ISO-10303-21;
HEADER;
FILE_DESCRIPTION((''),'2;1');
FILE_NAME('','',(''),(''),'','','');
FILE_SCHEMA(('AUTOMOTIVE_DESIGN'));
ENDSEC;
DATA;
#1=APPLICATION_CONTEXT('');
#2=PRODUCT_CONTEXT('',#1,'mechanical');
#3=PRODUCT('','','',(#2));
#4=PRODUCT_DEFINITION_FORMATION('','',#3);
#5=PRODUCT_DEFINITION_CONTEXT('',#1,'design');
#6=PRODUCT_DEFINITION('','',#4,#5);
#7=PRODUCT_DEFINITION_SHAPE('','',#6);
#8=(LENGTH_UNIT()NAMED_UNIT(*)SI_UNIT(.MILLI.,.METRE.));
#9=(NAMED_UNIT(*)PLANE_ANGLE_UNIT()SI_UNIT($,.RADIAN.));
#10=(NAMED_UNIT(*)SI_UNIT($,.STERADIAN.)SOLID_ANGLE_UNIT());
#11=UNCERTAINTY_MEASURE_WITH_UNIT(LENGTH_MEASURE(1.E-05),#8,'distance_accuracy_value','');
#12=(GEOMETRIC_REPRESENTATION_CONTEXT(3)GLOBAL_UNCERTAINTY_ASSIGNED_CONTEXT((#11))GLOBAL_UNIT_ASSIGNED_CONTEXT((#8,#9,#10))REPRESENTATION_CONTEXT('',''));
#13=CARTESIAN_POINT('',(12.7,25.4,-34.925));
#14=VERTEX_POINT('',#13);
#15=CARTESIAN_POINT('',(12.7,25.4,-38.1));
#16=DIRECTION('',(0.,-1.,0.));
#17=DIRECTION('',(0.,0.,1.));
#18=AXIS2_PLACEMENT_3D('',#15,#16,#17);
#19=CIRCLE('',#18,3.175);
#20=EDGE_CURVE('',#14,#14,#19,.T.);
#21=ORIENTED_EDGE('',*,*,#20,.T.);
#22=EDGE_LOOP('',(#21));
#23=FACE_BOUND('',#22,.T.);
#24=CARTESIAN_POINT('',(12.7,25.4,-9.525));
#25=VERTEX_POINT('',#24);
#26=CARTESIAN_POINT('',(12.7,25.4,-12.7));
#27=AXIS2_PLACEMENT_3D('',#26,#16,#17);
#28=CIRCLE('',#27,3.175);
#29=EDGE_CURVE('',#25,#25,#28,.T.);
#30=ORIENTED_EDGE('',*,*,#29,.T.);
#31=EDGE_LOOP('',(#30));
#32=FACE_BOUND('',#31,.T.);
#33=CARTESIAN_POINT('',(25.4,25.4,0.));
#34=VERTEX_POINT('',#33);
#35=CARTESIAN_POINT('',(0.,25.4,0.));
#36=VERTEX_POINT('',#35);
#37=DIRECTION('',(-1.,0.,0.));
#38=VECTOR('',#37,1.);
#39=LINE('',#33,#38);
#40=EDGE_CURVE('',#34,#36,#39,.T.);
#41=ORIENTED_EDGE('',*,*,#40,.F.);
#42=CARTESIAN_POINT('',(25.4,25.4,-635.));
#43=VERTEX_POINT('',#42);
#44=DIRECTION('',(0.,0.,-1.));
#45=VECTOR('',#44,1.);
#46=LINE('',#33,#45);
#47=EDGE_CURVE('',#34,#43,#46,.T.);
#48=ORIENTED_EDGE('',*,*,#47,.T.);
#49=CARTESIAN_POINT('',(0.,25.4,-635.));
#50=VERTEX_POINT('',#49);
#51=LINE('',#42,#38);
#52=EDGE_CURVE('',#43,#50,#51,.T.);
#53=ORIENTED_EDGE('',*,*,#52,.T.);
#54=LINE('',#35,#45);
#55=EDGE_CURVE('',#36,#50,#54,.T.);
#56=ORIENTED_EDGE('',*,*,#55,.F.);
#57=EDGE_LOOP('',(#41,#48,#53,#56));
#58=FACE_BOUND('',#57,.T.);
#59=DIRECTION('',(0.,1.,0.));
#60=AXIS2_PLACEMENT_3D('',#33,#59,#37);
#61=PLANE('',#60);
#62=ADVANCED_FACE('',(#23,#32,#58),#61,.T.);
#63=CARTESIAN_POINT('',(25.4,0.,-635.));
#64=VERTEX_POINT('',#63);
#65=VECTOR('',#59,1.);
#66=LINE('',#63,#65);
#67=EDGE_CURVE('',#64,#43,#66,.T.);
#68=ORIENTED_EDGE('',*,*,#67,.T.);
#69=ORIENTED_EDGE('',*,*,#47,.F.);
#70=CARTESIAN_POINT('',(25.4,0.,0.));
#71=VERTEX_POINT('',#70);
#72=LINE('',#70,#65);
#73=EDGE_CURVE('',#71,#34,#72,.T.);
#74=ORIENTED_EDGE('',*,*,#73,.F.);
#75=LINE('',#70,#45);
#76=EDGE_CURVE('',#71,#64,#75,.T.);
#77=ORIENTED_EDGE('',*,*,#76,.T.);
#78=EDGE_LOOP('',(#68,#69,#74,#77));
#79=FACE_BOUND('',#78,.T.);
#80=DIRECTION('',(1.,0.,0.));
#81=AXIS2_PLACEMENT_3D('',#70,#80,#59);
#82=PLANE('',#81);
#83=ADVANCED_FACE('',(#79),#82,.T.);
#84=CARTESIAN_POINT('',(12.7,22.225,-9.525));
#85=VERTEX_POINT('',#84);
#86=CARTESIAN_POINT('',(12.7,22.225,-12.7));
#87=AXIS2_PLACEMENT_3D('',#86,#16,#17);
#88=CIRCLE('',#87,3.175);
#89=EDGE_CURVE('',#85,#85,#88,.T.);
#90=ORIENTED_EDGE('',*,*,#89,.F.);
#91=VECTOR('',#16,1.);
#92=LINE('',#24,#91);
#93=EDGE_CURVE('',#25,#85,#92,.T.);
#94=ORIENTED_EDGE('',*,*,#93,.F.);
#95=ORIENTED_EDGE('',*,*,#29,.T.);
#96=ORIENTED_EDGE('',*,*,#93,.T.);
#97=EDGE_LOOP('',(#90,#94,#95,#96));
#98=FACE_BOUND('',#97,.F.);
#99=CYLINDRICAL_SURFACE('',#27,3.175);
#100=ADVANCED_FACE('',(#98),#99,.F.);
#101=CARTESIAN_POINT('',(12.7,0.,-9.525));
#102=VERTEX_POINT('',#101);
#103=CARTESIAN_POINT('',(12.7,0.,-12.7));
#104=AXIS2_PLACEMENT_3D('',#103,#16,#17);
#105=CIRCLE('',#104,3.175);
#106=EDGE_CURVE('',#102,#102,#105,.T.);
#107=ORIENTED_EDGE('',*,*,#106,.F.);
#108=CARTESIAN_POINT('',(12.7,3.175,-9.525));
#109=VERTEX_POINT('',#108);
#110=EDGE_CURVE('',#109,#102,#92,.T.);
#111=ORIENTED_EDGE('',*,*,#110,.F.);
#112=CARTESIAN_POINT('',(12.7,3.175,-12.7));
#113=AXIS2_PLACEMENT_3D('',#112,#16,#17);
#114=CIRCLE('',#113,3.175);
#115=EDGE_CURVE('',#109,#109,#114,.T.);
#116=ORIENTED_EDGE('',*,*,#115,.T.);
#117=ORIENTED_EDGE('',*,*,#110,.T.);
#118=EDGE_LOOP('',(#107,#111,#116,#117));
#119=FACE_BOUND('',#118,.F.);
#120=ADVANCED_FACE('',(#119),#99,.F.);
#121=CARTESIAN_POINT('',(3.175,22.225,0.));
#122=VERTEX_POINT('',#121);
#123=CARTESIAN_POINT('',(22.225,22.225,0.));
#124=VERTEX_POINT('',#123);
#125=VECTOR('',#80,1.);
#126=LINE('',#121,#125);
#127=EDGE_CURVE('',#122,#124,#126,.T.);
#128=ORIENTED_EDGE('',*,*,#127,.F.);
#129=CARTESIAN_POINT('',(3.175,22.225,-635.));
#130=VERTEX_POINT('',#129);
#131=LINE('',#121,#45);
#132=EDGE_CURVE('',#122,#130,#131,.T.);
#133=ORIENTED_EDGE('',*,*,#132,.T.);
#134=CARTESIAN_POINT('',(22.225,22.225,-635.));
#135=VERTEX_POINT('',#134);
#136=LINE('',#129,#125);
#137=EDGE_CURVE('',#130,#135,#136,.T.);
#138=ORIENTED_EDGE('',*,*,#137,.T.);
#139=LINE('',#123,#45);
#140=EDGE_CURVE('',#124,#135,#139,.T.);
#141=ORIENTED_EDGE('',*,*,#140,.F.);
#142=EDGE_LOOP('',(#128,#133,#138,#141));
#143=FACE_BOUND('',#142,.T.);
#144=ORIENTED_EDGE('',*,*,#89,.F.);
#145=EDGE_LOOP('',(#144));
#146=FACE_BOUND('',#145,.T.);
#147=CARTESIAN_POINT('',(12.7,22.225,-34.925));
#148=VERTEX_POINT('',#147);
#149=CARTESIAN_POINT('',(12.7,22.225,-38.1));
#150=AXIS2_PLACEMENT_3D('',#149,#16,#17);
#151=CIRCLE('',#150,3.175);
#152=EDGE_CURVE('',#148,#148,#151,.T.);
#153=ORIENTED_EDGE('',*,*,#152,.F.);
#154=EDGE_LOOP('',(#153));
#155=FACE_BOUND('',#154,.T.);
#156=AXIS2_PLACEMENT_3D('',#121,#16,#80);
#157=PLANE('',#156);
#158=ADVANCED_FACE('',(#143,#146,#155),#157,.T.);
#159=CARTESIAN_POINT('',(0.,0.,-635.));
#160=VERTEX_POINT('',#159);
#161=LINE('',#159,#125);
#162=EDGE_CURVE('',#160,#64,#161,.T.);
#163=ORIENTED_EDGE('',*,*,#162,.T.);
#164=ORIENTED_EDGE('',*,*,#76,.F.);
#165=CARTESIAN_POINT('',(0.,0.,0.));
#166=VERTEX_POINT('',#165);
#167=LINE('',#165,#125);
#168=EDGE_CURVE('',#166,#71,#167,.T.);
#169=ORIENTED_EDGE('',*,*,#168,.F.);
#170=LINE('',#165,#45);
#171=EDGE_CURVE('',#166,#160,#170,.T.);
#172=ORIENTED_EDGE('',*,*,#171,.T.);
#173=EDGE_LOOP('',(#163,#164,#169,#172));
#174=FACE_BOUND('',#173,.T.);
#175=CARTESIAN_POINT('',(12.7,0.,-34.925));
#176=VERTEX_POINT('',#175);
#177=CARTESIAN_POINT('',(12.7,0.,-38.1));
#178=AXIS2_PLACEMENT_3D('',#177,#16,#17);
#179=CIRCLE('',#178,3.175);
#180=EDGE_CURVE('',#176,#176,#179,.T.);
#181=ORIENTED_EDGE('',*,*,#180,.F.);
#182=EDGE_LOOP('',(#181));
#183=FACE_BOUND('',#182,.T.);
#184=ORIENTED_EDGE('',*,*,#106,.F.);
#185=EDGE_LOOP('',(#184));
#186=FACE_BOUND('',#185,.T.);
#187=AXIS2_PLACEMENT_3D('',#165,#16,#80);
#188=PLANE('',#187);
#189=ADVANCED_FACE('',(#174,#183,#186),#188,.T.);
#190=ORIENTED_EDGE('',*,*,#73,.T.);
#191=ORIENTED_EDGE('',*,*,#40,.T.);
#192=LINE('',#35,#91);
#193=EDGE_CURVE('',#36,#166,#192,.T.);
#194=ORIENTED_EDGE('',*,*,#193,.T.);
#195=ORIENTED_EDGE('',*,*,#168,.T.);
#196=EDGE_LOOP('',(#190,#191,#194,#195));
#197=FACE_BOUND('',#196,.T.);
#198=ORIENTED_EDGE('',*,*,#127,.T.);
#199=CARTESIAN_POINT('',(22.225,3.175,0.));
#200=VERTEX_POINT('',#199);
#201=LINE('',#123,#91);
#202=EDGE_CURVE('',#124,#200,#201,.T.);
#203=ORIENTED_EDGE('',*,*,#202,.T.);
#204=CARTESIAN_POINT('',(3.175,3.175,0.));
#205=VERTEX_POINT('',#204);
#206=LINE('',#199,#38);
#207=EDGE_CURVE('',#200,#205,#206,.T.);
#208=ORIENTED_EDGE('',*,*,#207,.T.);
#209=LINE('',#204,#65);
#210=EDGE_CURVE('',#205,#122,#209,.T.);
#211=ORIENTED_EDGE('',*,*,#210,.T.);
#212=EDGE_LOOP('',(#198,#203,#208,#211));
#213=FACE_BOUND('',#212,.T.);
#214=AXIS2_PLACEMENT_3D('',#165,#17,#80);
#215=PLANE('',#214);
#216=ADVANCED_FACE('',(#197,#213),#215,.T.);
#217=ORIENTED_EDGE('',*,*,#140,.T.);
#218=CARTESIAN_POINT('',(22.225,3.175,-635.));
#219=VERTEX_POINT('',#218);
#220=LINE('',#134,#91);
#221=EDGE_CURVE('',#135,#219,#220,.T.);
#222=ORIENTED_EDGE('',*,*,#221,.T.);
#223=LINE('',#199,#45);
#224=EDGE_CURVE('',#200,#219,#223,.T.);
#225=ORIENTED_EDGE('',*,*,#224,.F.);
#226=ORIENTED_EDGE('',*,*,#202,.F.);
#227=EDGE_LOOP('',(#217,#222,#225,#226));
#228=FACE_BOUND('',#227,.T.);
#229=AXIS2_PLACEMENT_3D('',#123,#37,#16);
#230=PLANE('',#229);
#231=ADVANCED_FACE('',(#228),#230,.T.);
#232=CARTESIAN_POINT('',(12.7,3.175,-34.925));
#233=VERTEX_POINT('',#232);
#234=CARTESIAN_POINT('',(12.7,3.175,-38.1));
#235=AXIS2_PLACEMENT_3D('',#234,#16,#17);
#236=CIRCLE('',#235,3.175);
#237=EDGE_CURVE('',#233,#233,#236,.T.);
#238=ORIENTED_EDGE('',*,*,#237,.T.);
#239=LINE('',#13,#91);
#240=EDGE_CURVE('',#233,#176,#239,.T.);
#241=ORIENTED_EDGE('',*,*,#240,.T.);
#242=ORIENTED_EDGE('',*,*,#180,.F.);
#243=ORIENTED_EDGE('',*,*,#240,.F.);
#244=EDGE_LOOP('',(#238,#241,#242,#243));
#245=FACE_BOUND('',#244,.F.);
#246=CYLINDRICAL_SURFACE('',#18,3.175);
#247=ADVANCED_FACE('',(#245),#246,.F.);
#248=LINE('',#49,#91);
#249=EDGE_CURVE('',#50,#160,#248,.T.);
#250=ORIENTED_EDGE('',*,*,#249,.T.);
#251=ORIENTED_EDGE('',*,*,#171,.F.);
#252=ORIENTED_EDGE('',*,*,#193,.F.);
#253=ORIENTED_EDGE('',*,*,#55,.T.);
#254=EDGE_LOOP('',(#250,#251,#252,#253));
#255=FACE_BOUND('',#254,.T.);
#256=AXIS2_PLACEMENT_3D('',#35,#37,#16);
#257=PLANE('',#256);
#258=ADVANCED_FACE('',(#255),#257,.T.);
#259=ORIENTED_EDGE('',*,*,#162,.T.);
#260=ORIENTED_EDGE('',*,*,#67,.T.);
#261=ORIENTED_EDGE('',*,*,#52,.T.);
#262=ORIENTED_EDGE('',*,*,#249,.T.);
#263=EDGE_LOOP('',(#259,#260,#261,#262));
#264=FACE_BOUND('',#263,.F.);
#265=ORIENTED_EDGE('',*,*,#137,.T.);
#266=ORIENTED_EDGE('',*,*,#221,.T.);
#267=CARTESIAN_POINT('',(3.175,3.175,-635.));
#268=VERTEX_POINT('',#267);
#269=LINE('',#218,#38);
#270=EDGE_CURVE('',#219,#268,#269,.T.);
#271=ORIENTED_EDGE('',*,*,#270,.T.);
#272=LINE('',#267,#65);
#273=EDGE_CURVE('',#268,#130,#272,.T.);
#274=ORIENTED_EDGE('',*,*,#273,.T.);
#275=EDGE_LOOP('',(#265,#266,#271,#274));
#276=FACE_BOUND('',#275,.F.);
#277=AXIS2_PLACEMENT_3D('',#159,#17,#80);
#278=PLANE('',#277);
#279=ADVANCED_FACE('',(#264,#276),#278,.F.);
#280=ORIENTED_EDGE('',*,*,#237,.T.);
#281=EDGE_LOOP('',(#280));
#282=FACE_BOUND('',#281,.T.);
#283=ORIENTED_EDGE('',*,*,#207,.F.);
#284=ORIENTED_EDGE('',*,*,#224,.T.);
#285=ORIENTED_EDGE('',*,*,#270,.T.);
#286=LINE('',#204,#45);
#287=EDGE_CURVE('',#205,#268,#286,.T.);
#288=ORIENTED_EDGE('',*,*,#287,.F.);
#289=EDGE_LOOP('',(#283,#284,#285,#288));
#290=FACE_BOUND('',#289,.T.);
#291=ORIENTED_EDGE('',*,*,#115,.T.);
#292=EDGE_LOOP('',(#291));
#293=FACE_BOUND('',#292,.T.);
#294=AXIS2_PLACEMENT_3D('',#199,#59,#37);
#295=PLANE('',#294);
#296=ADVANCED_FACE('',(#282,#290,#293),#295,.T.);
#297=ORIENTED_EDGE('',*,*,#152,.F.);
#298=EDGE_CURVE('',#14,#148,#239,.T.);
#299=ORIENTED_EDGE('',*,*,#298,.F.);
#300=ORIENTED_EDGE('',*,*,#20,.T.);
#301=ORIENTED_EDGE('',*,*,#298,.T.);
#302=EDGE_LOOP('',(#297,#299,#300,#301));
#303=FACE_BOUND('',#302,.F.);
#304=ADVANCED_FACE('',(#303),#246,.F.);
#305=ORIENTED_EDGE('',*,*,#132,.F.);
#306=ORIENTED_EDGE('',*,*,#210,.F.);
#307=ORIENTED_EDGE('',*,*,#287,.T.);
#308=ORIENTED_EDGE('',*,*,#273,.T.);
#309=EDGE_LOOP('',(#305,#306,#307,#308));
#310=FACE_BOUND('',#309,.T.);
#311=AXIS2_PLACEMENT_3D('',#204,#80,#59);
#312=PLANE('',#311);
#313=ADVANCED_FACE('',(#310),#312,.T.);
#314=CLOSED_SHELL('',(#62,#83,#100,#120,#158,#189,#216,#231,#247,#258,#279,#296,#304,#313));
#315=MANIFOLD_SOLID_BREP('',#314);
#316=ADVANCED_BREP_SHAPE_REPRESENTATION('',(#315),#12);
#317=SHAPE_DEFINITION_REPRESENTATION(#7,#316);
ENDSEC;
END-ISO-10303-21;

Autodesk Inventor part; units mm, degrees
ref_plane "YZ Plane" through (0, 0, 0) normal (1, 0, 0) x (0, 1, 0)
ref_plane "XZ Plane" through (0, 0, 0) normal (0, 1, 0) x (-1, 0, 0)
ref_plane "XY Plane" through (0, 0, 0) normal (0, 0, 1) x (1, 0, 0)
sketch "Sketch1" plane through (0, 0, 0) normal (0, 0, 1) x (1, 0, 0)
  line L0 (0, 0) -> (25.4, 0)
  line L1 (25.4, 0) -> (25.4, 25.4)
  line L2 (25.4, 25.4) -> (0, 25.4)
  line L3 (0, 25.4) -> (0, 0)
  line L4 (3.175, 22.225) -> (22.225, 22.225)
  line L5 (22.225, 22.225) -> (22.225, 3.175)
  line L6 (22.225, 3.175) -> (3.175, 3.175)
  line L7 (3.175, 3.175) -> (3.175, 22.225)
  dimension "d0" = 25.4
  dimension "d1" = 25.4
  dimension "d2" = 3.175
extrude "Extrusion1" add sketch "Sketch1" against normal blind 635
sketch "Sketch2" plane through (0, 25.4, 0) normal (0, 1, 0) x (1, 0, 0)
  line L0 (25.4, 0) -> (0, 0) projected
  point P0 (12.7, 12.7)
  point P1 (12.7, 38.1)
  dimension "d5" = 12.7
  dimension "d6" = 25.4
hole "Hole1" at (12.7, 25.4, -12.7) at (12.7, 25.4, -38.1) direction (0, -1, 0) diameter 6.35 depth 25.4 tip angle 118
properties part number "tophalf tallthing"
